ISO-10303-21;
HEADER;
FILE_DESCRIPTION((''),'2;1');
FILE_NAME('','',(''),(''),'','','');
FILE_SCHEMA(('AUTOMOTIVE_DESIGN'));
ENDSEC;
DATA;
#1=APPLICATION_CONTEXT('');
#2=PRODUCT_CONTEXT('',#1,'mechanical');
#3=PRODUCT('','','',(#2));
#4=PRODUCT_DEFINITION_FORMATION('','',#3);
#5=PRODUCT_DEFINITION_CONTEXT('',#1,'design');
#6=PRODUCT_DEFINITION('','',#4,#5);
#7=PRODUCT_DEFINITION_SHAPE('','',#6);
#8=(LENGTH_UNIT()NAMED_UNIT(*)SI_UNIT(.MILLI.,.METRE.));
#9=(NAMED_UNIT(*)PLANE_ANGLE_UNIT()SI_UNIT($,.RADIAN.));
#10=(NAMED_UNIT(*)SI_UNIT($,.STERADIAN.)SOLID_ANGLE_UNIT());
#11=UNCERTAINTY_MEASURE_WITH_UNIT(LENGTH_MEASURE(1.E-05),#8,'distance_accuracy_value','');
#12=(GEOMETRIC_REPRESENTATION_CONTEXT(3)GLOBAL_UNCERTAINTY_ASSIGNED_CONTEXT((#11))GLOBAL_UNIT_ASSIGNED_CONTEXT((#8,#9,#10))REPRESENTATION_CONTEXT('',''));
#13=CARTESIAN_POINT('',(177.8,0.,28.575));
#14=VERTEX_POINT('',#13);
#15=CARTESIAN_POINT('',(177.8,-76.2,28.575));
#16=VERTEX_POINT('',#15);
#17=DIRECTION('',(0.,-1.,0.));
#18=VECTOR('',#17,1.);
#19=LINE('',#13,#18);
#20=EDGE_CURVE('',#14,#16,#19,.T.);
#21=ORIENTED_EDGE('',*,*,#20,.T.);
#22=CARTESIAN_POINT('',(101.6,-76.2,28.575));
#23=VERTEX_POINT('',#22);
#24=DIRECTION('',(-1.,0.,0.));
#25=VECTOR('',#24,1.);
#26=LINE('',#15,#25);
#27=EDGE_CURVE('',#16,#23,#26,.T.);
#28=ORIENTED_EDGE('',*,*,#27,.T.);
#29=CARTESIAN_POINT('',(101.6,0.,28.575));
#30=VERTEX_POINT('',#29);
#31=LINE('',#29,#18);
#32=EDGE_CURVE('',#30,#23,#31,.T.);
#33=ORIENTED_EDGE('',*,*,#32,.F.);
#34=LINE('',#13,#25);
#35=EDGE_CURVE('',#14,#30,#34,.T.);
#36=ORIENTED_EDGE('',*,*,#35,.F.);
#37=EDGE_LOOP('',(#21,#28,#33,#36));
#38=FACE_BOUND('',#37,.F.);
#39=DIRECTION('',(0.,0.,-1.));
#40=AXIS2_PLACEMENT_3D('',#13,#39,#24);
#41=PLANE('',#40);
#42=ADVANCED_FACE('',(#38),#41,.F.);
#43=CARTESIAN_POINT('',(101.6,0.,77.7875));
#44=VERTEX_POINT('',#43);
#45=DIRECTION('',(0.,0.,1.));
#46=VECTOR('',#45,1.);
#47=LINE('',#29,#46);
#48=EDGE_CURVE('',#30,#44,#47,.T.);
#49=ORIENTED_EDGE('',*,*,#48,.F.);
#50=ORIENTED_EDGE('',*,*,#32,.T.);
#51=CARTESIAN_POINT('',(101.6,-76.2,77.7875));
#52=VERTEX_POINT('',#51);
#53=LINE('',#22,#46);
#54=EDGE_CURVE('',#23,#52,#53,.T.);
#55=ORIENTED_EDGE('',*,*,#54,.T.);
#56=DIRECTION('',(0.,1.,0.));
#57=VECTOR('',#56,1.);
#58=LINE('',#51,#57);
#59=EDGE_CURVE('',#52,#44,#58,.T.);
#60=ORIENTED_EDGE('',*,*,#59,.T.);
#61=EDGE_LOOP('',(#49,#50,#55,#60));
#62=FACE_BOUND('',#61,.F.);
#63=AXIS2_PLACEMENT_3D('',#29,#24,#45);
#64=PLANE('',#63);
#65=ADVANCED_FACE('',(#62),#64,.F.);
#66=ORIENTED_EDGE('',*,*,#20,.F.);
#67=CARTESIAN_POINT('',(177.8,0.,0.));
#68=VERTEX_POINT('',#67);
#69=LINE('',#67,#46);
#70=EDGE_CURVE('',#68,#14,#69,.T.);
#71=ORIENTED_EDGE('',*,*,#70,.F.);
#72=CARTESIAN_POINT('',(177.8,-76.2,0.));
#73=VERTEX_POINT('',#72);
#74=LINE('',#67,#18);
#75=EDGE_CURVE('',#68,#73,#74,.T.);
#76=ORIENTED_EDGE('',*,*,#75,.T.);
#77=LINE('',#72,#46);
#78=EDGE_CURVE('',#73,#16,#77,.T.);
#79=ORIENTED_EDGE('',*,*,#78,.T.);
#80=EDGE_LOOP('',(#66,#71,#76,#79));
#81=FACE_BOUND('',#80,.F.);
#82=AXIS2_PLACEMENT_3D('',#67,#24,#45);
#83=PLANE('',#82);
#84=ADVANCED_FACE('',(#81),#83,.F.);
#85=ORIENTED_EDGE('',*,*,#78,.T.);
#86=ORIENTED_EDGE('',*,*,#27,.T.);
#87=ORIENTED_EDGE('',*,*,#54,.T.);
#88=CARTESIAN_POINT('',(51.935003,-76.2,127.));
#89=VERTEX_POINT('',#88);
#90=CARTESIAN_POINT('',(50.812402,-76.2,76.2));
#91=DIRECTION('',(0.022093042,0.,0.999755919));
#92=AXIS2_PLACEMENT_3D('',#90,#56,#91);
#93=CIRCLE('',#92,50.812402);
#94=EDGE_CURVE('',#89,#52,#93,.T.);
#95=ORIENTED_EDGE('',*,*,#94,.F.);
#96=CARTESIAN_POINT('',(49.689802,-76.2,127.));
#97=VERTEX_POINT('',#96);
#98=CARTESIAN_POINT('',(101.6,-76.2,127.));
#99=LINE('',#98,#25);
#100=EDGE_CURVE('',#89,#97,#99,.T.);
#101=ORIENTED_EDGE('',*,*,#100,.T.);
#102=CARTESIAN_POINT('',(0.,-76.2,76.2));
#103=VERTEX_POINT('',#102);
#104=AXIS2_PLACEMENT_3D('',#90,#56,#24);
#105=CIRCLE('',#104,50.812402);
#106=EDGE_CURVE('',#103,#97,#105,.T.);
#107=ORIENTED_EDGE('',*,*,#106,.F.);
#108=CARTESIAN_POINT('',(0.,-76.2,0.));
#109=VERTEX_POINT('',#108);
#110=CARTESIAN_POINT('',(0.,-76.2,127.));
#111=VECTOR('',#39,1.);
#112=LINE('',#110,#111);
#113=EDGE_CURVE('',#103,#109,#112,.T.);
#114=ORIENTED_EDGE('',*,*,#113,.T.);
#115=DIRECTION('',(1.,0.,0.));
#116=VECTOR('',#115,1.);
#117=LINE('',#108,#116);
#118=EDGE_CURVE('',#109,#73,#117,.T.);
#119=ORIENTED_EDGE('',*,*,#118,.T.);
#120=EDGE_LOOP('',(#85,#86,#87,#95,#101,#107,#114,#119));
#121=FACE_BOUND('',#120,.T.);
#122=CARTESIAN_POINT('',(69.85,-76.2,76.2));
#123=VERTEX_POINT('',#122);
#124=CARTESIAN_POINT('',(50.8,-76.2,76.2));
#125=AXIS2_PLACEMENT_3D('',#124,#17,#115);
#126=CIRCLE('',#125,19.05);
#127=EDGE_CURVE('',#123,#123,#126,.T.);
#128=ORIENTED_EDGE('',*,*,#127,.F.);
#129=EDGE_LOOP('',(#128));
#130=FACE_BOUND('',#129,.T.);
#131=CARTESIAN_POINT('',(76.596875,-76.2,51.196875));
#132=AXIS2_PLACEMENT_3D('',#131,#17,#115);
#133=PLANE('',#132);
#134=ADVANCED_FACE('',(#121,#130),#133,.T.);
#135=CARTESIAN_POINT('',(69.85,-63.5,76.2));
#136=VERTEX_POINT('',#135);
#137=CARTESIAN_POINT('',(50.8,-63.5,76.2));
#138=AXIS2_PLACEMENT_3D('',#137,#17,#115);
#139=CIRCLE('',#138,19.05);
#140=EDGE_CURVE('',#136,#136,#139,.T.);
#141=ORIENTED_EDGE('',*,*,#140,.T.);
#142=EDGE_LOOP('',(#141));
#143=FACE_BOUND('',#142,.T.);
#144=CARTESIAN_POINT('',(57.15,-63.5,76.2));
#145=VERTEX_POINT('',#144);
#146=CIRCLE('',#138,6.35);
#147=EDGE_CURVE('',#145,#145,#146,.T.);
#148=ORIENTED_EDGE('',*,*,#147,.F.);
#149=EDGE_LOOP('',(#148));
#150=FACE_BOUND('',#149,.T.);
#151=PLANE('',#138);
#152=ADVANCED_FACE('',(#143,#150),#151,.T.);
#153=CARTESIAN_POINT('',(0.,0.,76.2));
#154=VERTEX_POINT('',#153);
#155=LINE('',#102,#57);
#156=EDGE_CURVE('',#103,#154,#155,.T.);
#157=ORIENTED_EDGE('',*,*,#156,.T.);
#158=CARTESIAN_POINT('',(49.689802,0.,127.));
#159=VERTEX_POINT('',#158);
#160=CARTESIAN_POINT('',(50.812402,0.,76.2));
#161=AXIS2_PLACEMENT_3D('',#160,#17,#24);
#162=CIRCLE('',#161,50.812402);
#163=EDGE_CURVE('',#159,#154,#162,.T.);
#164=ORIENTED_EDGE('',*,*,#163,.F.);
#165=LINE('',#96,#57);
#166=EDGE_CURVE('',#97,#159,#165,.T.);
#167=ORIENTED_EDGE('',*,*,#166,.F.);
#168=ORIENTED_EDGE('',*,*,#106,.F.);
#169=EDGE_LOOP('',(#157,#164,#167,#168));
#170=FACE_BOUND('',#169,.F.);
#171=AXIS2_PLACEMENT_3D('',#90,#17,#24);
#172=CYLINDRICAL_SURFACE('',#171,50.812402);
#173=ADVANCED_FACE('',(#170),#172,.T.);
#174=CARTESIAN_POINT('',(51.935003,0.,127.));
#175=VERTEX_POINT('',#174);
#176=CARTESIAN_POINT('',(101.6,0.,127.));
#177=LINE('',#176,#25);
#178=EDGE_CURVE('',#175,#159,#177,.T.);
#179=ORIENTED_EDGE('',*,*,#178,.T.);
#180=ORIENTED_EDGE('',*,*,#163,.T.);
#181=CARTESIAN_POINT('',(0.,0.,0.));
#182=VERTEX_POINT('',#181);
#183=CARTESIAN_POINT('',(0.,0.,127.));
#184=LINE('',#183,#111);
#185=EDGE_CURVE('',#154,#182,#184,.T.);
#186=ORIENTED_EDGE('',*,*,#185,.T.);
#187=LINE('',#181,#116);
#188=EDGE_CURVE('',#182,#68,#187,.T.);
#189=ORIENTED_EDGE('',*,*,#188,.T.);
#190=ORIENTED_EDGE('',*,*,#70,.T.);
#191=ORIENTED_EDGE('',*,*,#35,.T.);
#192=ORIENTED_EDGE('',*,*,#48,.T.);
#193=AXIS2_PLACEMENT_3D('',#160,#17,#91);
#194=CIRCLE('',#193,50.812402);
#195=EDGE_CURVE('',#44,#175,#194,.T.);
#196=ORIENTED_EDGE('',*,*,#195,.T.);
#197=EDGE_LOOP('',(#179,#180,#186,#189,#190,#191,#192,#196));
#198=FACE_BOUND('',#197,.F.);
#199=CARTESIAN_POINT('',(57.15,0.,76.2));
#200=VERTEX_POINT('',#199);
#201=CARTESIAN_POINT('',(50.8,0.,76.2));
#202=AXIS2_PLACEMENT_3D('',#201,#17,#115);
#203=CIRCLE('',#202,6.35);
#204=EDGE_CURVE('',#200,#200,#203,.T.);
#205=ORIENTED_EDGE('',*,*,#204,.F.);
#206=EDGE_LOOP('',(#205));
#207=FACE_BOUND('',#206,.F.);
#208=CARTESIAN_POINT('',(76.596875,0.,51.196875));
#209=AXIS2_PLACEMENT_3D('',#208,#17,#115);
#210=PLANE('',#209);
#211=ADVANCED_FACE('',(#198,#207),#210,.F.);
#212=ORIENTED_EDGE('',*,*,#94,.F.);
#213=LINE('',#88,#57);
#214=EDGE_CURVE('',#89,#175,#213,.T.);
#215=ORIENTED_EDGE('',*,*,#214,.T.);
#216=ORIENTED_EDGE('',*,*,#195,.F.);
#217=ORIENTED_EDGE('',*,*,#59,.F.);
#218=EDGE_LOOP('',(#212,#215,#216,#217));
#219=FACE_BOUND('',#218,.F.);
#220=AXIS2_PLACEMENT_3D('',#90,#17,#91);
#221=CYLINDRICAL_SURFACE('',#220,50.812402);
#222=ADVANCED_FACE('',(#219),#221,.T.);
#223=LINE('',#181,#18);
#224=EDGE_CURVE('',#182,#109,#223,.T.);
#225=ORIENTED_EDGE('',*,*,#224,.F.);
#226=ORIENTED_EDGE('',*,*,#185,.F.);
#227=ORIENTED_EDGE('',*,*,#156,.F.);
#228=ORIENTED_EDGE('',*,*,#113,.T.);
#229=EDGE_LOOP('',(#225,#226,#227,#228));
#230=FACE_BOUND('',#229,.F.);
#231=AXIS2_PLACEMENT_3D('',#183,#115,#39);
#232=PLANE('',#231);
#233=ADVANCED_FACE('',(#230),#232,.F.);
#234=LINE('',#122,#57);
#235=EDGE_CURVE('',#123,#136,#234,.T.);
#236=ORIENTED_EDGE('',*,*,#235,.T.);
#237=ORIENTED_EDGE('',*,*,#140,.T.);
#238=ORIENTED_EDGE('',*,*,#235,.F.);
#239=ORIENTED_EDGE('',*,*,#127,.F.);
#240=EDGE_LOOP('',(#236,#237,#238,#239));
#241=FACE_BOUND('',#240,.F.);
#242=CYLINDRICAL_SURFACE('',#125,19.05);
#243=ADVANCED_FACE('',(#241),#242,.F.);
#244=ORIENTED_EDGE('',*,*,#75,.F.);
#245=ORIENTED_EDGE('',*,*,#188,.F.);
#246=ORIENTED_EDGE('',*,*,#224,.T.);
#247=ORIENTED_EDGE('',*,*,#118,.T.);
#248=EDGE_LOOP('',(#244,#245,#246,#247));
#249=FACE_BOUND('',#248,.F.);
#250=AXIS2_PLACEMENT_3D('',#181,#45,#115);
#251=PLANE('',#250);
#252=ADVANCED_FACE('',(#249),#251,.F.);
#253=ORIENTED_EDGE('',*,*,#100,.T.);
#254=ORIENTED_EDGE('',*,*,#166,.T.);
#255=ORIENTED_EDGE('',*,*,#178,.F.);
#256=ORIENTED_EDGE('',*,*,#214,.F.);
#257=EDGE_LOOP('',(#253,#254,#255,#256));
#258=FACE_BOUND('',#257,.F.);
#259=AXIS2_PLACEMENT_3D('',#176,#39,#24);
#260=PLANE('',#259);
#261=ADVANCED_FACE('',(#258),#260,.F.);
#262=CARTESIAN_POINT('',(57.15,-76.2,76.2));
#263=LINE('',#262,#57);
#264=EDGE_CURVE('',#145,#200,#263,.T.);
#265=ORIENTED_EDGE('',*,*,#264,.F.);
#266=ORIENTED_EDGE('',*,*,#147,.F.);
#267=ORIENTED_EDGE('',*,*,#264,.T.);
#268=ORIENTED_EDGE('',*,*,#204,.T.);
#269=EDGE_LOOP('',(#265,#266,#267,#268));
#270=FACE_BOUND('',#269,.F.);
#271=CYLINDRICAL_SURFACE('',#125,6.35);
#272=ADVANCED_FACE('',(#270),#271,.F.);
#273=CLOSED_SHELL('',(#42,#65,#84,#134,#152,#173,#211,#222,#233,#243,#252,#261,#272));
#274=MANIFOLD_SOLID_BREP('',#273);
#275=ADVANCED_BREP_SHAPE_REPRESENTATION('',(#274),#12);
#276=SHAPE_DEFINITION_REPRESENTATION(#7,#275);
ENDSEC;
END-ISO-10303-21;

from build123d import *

# Parameters (mm, degrees)
F1_DEPTH = 76.2
F3_DEPTH = 76.201
F4_R     = 19.05
F4_R_2   = 6.35
F5_DEPTH = 12.7
F6_DEPTH = 76.201


with BuildPart() as f1:
    # F0 (on Front) → F1 (new body)
    with BuildSketch(Plane.XZ):
        Polygon((0, 127), (0, 0), (177.8, 0), (177.8, 28.575), (101.6, 28.575), (101.6, 127), align=None)
    extrude(amount=F1_DEPTH)

    # F2 (on face) → F3 (cut, through all)
    with BuildSketch(Plane.XZ.offset(76.2)):
        with BuildLine():
            Line((0, 127), (0, 76.2))
            ThreePointArc((0, 76.2), (14.4878771466, 111.7306783097), (49.6898018168, 127))
            Line((49.6898018168, 127), (0, 127))
        make_face()
        with BuildLine():
            Line((101.6, 127), (51.9350028707, 127))
            ThreePointArc((51.9350028707, 127), (86.5773951149, 112.2938432981), (101.6, 77.7875))
            Line((101.6, 77.7875), (101.6, 127))
        make_face()
    extrude(amount=-F3_DEPTH, mode=Mode.SUBTRACT)

    # F4 (on face) → F5 (cut)
    with BuildSketch(Plane.XZ.offset(76.2)):
        with Locations((50.8, 76.2)):
            Circle(F4_R)
        with Locations((50.8, 76.2)):
            Circle(F4_R_2, mode=Mode.SUBTRACT)
    extrude(amount=-F5_DEPTH, mode=Mode.SUBTRACT)

    # F6 (cut, through all): a face of the model
    f6_faces = [f1.faces().sort_by_distance(p)[0] for p in [
        (50.8, -76.2, 76.2),
    ]]
    extrude(f6_faces, amount=-F6_DEPTH, mode=Mode.SUBTRACT)


solid = f1.part
